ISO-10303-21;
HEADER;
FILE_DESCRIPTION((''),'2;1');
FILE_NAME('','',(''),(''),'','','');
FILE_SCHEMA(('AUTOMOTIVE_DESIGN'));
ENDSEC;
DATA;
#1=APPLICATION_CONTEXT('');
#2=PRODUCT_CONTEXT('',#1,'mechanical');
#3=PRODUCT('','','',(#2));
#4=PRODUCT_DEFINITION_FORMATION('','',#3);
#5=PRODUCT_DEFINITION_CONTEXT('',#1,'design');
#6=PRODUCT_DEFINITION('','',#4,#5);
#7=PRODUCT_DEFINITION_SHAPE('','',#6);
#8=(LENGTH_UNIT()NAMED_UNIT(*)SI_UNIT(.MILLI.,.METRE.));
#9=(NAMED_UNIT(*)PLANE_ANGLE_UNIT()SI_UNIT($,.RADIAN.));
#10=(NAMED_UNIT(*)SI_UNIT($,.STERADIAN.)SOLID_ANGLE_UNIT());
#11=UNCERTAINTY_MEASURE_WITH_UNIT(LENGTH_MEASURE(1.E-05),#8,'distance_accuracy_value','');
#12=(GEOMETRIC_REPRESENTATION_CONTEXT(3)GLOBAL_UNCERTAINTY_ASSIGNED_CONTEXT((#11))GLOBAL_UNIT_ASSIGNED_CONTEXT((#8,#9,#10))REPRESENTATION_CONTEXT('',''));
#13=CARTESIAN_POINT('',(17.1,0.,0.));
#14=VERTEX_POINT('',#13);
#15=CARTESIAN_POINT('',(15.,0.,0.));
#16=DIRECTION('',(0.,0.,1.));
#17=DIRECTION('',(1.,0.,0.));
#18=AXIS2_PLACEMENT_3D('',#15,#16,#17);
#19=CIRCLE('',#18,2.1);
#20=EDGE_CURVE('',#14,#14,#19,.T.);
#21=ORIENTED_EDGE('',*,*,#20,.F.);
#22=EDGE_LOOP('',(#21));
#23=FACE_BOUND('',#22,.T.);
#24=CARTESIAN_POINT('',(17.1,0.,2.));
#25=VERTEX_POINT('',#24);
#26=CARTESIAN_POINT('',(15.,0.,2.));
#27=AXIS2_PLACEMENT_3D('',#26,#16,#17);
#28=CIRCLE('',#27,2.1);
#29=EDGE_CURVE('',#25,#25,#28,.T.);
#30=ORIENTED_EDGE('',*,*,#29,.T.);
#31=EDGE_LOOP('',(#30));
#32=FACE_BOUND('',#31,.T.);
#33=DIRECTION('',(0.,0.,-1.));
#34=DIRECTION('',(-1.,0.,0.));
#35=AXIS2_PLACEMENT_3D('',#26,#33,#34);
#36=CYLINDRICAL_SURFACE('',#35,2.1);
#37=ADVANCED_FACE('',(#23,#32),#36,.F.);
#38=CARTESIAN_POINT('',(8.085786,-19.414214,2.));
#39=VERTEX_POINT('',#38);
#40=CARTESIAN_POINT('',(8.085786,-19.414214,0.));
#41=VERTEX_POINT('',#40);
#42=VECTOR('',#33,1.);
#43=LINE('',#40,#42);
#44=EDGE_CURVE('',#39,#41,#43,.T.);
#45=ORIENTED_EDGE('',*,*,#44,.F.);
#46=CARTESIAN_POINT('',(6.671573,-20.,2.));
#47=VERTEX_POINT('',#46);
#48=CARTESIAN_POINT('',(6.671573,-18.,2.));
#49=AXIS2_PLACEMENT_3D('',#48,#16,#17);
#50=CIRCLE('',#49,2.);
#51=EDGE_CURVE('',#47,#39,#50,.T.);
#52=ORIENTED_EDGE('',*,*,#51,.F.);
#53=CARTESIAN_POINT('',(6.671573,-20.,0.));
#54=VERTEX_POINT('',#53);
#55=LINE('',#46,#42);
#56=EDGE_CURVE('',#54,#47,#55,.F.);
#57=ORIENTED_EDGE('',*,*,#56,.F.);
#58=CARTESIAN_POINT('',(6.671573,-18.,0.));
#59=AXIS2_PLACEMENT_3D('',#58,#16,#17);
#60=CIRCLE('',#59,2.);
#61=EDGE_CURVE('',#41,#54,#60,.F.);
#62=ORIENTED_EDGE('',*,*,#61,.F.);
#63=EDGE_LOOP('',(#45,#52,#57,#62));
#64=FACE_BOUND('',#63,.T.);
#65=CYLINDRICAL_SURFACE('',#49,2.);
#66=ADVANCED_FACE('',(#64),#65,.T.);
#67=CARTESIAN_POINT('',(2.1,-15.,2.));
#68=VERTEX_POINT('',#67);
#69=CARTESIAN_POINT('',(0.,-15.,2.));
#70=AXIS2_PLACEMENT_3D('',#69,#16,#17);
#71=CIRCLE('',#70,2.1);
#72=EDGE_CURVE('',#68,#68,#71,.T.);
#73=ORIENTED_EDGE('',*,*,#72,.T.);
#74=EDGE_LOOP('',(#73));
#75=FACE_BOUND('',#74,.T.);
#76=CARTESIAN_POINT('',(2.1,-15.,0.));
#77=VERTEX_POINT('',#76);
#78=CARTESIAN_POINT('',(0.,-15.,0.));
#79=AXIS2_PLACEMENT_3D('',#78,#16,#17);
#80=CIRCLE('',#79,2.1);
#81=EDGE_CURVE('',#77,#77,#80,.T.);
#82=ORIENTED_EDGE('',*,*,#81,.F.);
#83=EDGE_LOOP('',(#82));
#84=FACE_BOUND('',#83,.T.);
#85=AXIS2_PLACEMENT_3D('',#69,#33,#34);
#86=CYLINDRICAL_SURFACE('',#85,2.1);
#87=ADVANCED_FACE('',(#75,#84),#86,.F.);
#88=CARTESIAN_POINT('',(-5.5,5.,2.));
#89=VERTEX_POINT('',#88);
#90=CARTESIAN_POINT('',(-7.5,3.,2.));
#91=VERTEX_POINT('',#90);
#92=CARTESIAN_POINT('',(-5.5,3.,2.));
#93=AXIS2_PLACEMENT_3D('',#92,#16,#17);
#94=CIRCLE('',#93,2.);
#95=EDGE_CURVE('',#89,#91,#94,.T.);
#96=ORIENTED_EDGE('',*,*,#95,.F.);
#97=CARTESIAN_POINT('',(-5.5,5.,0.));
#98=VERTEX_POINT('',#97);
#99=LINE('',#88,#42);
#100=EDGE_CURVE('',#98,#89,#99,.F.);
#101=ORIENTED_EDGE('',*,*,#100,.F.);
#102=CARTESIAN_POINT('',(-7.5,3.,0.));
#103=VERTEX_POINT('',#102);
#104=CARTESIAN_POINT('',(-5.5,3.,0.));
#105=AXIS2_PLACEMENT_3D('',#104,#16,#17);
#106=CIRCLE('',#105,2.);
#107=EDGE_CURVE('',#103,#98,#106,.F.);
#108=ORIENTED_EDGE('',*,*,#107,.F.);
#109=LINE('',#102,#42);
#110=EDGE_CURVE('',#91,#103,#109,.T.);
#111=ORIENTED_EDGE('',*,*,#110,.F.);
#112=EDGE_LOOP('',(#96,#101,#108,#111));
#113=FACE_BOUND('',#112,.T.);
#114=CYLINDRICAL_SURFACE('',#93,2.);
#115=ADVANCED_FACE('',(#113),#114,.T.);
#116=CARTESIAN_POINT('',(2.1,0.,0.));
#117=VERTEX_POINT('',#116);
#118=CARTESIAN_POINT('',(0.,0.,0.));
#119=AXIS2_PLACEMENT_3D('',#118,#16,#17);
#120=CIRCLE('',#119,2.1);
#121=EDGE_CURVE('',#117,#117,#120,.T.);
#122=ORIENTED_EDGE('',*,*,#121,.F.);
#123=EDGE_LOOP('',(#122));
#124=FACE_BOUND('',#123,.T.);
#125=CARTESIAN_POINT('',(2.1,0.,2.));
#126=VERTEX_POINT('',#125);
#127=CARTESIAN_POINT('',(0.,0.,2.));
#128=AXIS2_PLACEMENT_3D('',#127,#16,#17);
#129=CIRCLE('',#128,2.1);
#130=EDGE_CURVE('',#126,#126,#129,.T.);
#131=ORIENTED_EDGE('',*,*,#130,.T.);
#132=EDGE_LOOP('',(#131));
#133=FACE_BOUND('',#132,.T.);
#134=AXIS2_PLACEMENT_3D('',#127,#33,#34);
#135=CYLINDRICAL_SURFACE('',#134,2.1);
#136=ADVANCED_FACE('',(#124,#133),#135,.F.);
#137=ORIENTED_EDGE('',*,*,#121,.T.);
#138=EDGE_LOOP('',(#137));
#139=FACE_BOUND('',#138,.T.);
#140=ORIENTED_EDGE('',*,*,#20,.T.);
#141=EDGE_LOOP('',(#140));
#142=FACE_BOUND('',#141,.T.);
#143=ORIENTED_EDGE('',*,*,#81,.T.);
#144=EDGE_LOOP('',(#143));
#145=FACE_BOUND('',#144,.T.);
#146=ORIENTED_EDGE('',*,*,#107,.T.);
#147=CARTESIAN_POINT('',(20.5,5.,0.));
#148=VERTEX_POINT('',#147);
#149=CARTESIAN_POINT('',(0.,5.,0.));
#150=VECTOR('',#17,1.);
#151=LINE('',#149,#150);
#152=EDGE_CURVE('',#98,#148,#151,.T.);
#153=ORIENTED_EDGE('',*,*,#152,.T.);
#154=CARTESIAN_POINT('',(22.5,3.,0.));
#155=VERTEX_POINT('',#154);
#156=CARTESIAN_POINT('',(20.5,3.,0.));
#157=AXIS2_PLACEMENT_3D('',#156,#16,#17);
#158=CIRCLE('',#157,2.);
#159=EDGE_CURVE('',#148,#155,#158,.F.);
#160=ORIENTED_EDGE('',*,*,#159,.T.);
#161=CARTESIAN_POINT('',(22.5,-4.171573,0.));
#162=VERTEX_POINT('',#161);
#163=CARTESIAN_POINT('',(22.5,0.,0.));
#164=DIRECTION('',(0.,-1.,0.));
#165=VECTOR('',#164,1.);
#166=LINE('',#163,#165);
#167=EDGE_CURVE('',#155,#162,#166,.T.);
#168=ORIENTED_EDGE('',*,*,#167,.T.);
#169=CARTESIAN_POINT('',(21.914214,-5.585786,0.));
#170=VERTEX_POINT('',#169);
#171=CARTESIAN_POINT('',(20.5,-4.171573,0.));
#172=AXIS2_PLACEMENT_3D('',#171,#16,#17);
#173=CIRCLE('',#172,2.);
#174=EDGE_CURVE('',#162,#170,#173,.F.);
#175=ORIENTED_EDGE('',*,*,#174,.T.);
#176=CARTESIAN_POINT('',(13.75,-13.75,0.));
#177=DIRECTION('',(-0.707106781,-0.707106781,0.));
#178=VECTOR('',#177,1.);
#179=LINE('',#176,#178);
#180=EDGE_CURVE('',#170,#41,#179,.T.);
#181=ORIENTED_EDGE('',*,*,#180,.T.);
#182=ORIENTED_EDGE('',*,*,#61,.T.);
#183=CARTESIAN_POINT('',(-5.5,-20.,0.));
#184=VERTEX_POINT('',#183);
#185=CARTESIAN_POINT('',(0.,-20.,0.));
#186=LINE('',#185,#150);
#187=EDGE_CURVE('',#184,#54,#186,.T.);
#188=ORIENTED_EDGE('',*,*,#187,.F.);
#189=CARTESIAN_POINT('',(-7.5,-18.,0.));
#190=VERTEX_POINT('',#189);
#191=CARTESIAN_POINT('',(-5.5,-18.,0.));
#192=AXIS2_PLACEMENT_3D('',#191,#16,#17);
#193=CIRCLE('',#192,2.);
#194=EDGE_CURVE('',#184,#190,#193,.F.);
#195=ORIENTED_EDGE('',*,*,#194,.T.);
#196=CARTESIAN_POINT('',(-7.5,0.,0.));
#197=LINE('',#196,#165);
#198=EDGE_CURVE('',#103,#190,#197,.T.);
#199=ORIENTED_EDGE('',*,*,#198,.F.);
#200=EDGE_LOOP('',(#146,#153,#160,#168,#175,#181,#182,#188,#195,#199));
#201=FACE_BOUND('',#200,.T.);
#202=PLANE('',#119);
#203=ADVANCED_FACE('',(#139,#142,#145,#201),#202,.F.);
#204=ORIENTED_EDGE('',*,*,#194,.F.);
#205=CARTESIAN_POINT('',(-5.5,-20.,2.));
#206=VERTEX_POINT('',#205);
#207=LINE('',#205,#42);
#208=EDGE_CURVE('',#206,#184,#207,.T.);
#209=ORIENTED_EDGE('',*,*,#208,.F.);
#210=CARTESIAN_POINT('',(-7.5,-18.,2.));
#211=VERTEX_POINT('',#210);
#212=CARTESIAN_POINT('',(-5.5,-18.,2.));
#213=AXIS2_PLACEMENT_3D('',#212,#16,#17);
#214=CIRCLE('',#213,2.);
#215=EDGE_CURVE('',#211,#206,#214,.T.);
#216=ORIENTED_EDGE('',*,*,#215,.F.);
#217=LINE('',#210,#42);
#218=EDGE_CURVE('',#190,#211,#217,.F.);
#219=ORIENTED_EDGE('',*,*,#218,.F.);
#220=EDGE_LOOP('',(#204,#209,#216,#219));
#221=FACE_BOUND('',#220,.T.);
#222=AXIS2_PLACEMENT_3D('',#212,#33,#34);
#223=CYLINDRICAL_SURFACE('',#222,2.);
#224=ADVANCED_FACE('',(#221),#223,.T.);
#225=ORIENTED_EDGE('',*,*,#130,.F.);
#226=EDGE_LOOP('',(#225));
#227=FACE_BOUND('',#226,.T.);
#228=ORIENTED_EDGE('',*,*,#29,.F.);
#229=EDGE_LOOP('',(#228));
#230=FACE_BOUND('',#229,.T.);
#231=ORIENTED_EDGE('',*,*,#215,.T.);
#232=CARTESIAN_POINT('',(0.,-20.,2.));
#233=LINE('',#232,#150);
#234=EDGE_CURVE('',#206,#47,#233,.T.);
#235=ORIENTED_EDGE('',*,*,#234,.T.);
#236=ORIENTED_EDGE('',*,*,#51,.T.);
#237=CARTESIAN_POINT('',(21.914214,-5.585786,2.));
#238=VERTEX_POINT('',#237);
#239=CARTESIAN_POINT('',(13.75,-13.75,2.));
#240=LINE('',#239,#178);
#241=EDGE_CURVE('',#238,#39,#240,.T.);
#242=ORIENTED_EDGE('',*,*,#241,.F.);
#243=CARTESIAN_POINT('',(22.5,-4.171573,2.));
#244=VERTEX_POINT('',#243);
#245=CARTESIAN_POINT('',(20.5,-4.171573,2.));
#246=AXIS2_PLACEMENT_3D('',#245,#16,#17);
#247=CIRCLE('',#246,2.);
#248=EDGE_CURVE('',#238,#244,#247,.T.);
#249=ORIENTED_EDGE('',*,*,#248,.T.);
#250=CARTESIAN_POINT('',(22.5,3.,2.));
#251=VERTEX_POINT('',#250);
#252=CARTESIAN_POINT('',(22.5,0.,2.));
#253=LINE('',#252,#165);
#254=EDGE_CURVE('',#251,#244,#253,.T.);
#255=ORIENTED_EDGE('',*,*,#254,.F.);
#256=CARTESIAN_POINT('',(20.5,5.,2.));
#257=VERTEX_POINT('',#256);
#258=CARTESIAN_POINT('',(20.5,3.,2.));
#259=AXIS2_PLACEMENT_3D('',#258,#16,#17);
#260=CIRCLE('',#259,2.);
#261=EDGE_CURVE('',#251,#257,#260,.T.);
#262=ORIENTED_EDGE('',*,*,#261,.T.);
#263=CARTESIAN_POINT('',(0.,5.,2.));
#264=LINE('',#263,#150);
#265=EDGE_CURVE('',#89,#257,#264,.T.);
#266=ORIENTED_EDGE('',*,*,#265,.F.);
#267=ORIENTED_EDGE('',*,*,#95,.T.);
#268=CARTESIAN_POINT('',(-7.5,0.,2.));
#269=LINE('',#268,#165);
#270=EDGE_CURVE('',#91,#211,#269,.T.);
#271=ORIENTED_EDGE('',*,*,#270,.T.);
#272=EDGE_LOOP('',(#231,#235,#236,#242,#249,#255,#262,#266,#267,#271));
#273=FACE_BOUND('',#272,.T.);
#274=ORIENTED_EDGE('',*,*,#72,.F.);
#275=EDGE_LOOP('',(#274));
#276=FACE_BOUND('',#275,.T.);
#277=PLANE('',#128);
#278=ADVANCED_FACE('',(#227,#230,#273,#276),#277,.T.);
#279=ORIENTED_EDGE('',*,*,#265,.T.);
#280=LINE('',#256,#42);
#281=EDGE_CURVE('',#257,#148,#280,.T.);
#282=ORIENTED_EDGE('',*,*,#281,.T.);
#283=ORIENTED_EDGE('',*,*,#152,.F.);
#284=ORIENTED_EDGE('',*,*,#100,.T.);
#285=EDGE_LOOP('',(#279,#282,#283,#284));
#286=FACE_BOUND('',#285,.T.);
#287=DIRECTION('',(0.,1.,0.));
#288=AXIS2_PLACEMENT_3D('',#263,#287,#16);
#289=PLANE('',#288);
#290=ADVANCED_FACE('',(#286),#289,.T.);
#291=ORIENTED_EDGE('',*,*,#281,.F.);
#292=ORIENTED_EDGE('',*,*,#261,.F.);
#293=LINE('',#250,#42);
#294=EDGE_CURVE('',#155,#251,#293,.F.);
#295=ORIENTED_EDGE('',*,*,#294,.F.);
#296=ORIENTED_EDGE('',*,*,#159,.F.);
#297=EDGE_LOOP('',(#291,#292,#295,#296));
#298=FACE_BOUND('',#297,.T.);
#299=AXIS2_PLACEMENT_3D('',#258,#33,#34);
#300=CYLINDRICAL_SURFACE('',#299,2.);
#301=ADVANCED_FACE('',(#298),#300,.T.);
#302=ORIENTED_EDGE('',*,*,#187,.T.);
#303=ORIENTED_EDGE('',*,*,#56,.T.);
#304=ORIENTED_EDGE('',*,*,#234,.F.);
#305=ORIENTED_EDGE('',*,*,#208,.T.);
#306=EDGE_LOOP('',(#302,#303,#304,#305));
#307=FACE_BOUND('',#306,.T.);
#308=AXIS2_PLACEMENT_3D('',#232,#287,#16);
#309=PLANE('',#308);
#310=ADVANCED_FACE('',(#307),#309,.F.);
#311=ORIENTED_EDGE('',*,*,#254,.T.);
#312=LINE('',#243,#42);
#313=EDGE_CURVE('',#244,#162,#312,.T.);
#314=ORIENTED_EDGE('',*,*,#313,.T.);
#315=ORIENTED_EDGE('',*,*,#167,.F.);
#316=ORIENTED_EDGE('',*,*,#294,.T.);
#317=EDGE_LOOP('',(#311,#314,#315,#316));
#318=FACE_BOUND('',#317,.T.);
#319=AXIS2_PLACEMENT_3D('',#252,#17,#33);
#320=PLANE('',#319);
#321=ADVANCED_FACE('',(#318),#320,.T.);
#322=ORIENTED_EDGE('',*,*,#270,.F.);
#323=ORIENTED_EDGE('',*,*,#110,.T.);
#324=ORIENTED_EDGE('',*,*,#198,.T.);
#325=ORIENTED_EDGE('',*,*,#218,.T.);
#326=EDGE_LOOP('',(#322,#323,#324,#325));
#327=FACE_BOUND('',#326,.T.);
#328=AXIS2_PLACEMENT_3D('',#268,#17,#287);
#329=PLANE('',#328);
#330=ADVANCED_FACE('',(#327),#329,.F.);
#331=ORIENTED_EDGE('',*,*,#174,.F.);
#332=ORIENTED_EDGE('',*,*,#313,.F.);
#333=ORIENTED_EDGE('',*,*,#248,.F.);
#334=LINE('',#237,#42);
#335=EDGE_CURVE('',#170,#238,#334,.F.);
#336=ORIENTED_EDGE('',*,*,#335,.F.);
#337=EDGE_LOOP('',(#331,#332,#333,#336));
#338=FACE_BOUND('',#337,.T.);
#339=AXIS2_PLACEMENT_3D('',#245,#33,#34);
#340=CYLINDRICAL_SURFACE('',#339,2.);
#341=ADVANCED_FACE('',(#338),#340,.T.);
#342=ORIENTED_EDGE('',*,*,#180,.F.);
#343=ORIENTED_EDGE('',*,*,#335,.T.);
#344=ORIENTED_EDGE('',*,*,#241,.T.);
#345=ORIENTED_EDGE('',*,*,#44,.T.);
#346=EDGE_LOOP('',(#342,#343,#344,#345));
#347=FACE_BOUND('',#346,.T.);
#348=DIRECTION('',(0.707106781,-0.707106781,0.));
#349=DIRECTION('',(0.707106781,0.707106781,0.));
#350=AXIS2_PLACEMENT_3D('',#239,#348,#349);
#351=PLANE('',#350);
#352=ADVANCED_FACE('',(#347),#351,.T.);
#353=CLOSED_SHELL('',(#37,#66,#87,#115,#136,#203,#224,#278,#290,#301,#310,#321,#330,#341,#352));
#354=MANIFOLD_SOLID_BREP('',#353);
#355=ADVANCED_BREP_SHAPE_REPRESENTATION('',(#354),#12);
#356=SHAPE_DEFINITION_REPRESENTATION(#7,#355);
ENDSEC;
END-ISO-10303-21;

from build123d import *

# Parameters (mm, degrees)
SKETCH_1_W      = 15
SKETCH_1_H      = 25
SKETCH_1_R      = 2.1
SKETCH_1_H_2    = 10
EXTRUDE_1_DEPTH = 2
FILLET_1_R      = 2


with BuildPart() as part:
    # ｽｹｯﾁ1 → ﾎﾞｽ - 押し出し1 (new body)
    # profile 1 of 3: a face of its own
    with BuildSketch(Plane.XY):
        with Locations((0, -7.5)):
            Rectangle(SKETCH_1_W, SKETCH_1_H)
        with Locations((0, -15)):
            Circle(SKETCH_1_R, mode=Mode.SUBTRACT)
        Circle(SKETCH_1_R, mode=Mode.SUBTRACT)
    # profile 2 of 3: a face of its own
    with BuildSketch(Plane.XY):
        Polygon((7.5, -20), (22.5, -5), (7.5, -5), align=None)
    # profile 3 of 3: a face of its own
    with BuildSketch(Plane.XY):
        with Locations((15, 0)):
            Rectangle(SKETCH_1_W, SKETCH_1_H_2)
        with Locations((15, 0)):
            Circle(SKETCH_1_R, mode=Mode.SUBTRACT)
    extrude(amount=EXTRUDE_1_DEPTH)

    # ﾌｨﾚｯﾄ1
    fillet_1_edges = [part.edges().sort_by_distance(p)[0] for p in [
        (7.5, -20, 1),
        (-7.5, -20, 1),
        (-7.5, 5, 1),
        (22.5, 5, 1),
        (22.5, -5, 1),
    ]]
    fillet(fillet_1_edges, radius=FILLET_1_R)


solid = part.part
